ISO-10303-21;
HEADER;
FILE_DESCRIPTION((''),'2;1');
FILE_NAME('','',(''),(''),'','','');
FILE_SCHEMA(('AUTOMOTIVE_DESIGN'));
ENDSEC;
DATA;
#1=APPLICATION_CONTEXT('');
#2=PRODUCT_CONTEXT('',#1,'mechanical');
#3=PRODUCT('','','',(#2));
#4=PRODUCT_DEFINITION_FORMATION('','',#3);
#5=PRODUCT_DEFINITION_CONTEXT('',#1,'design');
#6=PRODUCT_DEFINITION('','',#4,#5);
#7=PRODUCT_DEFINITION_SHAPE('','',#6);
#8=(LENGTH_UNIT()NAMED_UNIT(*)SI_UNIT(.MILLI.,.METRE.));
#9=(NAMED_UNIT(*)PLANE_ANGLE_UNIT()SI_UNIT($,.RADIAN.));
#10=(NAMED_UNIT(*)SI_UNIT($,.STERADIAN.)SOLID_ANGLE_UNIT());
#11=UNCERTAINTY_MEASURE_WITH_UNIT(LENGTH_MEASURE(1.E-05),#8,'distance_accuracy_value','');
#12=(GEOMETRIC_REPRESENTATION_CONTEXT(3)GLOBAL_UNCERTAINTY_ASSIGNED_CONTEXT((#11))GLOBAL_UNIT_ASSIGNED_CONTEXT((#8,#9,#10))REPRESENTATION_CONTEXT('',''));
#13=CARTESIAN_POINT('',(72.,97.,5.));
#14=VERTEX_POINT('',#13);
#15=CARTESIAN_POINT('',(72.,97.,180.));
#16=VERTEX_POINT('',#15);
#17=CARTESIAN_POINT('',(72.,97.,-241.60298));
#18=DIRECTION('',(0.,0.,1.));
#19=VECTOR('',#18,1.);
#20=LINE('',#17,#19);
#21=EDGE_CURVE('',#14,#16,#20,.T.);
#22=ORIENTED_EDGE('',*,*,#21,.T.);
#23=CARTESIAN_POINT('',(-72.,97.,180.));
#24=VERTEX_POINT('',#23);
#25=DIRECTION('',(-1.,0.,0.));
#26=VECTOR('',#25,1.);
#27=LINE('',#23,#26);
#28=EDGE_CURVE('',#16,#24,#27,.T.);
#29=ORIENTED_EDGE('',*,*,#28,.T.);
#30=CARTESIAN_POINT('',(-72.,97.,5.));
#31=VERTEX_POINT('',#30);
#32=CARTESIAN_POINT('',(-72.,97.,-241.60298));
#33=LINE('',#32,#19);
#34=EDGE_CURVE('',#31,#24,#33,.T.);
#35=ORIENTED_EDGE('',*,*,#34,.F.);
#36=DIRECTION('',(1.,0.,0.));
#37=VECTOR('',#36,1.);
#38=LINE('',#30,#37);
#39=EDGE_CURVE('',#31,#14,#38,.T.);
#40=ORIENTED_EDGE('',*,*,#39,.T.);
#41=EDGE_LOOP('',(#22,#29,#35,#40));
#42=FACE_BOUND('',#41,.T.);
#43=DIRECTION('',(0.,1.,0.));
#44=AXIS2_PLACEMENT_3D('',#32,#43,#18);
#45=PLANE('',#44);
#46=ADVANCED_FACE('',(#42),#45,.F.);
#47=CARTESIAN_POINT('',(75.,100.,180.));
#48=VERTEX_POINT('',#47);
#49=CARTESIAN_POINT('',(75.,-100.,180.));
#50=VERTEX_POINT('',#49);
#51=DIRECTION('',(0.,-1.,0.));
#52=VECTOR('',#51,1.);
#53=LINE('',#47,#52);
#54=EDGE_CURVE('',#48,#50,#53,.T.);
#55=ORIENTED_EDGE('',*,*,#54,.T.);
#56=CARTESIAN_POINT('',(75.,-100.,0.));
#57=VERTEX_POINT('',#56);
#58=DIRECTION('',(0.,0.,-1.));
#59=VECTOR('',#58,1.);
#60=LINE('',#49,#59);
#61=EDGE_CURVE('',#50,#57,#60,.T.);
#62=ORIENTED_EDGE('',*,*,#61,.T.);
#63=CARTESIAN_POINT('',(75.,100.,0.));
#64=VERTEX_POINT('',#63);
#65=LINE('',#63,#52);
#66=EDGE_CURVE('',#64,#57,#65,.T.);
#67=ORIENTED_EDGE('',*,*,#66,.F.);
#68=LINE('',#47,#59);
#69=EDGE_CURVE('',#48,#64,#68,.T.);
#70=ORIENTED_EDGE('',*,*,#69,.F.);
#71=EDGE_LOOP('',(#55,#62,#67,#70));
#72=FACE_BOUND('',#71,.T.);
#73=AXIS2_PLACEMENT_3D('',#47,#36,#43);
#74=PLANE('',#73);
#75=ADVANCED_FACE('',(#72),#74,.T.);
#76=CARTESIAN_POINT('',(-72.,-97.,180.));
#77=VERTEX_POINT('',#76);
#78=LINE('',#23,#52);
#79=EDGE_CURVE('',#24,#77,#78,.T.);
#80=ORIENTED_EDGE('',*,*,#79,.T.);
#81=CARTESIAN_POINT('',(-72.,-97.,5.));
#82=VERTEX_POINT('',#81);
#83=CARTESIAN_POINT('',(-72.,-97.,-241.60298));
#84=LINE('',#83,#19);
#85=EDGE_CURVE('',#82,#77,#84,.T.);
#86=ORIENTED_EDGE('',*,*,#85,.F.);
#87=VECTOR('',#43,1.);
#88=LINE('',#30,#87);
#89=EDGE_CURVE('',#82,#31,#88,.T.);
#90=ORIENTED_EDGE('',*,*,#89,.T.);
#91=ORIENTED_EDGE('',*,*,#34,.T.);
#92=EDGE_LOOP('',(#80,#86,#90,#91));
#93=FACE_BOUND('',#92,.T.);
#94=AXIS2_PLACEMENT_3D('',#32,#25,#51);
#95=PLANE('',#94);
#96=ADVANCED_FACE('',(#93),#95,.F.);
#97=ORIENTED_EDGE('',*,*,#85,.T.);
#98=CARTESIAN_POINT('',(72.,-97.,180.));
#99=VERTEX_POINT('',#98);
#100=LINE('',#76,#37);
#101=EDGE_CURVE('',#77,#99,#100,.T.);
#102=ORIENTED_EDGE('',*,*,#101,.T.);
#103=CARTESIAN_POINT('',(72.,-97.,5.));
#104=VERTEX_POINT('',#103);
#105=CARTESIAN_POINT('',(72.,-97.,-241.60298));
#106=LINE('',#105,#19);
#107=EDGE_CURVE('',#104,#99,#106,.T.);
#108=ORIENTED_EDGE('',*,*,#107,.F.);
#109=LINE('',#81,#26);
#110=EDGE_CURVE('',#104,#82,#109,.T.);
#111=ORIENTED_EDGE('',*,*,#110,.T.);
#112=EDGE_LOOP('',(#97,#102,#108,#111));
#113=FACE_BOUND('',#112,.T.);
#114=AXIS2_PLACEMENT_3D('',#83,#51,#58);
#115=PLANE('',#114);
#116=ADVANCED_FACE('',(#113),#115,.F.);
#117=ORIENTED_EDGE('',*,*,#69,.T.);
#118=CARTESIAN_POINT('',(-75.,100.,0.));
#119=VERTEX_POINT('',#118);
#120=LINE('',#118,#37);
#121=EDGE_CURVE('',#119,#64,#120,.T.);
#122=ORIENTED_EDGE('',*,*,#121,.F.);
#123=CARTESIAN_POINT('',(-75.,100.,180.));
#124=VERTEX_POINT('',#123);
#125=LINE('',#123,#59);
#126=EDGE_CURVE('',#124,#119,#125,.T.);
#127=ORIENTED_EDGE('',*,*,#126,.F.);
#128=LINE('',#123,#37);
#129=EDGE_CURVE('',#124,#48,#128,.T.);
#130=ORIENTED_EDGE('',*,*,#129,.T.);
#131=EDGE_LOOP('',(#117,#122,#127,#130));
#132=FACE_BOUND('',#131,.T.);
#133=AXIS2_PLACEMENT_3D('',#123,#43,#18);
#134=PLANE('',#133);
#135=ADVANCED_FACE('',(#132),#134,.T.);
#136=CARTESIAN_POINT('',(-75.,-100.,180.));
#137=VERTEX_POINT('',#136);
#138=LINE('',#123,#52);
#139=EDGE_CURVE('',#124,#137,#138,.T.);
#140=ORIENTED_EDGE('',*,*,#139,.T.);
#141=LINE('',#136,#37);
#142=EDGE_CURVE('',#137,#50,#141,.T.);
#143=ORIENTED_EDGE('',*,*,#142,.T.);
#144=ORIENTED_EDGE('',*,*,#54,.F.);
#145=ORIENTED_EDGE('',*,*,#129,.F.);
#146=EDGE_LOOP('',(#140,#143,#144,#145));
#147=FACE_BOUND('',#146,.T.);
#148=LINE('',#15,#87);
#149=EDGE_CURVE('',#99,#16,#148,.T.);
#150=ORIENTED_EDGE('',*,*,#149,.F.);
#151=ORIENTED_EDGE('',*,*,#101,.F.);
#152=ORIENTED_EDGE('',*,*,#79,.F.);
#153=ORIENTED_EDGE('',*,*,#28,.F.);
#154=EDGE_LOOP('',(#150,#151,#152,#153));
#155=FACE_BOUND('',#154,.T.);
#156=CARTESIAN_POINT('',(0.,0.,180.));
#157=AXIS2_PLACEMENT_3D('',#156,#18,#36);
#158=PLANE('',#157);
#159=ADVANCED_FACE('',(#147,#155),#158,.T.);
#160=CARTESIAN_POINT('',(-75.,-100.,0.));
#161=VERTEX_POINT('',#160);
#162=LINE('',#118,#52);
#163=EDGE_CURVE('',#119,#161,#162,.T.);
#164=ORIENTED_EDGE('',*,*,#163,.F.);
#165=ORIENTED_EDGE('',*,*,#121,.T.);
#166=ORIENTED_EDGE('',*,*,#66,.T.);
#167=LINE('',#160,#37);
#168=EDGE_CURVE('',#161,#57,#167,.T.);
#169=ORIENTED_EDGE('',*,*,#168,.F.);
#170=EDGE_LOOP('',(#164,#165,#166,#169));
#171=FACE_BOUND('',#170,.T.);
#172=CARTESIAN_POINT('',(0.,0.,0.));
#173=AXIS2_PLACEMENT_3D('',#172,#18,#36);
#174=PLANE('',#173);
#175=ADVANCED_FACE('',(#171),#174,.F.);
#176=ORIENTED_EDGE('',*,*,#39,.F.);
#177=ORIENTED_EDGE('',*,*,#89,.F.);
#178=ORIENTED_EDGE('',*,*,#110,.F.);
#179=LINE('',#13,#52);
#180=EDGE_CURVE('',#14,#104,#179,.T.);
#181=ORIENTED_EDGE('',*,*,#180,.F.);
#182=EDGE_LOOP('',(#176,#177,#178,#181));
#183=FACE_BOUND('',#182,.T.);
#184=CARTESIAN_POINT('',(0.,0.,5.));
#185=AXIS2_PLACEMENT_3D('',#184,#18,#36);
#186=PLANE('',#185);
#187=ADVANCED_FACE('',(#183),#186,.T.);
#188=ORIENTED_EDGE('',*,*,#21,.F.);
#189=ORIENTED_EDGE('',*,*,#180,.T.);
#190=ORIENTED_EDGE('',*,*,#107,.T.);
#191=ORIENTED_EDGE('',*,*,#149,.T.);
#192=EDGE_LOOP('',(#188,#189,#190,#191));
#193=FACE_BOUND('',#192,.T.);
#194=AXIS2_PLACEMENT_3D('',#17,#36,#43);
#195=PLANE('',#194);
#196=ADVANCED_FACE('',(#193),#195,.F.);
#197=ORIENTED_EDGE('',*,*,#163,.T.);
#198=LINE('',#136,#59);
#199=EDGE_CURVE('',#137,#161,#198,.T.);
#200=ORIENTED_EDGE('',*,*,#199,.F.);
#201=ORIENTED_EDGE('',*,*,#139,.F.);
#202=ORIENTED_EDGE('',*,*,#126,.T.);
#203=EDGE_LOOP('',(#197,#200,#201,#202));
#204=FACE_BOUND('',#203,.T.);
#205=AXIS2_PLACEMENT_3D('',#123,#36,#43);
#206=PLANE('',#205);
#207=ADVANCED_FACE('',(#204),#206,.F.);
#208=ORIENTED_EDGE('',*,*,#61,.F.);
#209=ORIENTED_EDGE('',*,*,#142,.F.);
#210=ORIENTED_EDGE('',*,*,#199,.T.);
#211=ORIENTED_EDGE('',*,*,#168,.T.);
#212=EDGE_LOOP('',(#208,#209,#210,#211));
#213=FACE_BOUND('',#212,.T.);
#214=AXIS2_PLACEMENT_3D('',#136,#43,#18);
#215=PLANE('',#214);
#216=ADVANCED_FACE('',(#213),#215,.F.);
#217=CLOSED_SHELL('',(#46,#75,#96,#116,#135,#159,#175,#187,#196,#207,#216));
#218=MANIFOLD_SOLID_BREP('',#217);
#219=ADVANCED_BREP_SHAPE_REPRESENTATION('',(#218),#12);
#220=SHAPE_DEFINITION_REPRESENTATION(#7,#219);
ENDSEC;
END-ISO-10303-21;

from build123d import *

# Parameters (mm, degrees)
SCHIZZO1_W                   = 150
SCHIZZO1_H                   = 200
ESTRUSIONE_ESTRUSIONE1_DEPTH = 180
SCHIZZO2_W                   = 144
SCHIZZO2_H                   = 194
TAGLIO_ESTRUSIONE1_DEPTH     = 175


with BuildPart() as part:
    # Schizzo1 → Estrusione-Estrusione1 (new body)
    with BuildSketch(Plane.XY):
        Rectangle(SCHIZZO1_W, SCHIZZO1_H)
    extrude(amount=ESTRUSIONE_ESTRUSIONE1_DEPTH)

    # Schizzo2 → Taglio-Estrusione1 (cut)
    with BuildSketch(Plane.XY.offset(180)):
        Rectangle(SCHIZZO2_W, SCHIZZO2_H)
    extrude(amount=-TAGLIO_ESTRUSIONE1_DEPTH, mode=Mode.SUBTRACT)


solid = part.part
